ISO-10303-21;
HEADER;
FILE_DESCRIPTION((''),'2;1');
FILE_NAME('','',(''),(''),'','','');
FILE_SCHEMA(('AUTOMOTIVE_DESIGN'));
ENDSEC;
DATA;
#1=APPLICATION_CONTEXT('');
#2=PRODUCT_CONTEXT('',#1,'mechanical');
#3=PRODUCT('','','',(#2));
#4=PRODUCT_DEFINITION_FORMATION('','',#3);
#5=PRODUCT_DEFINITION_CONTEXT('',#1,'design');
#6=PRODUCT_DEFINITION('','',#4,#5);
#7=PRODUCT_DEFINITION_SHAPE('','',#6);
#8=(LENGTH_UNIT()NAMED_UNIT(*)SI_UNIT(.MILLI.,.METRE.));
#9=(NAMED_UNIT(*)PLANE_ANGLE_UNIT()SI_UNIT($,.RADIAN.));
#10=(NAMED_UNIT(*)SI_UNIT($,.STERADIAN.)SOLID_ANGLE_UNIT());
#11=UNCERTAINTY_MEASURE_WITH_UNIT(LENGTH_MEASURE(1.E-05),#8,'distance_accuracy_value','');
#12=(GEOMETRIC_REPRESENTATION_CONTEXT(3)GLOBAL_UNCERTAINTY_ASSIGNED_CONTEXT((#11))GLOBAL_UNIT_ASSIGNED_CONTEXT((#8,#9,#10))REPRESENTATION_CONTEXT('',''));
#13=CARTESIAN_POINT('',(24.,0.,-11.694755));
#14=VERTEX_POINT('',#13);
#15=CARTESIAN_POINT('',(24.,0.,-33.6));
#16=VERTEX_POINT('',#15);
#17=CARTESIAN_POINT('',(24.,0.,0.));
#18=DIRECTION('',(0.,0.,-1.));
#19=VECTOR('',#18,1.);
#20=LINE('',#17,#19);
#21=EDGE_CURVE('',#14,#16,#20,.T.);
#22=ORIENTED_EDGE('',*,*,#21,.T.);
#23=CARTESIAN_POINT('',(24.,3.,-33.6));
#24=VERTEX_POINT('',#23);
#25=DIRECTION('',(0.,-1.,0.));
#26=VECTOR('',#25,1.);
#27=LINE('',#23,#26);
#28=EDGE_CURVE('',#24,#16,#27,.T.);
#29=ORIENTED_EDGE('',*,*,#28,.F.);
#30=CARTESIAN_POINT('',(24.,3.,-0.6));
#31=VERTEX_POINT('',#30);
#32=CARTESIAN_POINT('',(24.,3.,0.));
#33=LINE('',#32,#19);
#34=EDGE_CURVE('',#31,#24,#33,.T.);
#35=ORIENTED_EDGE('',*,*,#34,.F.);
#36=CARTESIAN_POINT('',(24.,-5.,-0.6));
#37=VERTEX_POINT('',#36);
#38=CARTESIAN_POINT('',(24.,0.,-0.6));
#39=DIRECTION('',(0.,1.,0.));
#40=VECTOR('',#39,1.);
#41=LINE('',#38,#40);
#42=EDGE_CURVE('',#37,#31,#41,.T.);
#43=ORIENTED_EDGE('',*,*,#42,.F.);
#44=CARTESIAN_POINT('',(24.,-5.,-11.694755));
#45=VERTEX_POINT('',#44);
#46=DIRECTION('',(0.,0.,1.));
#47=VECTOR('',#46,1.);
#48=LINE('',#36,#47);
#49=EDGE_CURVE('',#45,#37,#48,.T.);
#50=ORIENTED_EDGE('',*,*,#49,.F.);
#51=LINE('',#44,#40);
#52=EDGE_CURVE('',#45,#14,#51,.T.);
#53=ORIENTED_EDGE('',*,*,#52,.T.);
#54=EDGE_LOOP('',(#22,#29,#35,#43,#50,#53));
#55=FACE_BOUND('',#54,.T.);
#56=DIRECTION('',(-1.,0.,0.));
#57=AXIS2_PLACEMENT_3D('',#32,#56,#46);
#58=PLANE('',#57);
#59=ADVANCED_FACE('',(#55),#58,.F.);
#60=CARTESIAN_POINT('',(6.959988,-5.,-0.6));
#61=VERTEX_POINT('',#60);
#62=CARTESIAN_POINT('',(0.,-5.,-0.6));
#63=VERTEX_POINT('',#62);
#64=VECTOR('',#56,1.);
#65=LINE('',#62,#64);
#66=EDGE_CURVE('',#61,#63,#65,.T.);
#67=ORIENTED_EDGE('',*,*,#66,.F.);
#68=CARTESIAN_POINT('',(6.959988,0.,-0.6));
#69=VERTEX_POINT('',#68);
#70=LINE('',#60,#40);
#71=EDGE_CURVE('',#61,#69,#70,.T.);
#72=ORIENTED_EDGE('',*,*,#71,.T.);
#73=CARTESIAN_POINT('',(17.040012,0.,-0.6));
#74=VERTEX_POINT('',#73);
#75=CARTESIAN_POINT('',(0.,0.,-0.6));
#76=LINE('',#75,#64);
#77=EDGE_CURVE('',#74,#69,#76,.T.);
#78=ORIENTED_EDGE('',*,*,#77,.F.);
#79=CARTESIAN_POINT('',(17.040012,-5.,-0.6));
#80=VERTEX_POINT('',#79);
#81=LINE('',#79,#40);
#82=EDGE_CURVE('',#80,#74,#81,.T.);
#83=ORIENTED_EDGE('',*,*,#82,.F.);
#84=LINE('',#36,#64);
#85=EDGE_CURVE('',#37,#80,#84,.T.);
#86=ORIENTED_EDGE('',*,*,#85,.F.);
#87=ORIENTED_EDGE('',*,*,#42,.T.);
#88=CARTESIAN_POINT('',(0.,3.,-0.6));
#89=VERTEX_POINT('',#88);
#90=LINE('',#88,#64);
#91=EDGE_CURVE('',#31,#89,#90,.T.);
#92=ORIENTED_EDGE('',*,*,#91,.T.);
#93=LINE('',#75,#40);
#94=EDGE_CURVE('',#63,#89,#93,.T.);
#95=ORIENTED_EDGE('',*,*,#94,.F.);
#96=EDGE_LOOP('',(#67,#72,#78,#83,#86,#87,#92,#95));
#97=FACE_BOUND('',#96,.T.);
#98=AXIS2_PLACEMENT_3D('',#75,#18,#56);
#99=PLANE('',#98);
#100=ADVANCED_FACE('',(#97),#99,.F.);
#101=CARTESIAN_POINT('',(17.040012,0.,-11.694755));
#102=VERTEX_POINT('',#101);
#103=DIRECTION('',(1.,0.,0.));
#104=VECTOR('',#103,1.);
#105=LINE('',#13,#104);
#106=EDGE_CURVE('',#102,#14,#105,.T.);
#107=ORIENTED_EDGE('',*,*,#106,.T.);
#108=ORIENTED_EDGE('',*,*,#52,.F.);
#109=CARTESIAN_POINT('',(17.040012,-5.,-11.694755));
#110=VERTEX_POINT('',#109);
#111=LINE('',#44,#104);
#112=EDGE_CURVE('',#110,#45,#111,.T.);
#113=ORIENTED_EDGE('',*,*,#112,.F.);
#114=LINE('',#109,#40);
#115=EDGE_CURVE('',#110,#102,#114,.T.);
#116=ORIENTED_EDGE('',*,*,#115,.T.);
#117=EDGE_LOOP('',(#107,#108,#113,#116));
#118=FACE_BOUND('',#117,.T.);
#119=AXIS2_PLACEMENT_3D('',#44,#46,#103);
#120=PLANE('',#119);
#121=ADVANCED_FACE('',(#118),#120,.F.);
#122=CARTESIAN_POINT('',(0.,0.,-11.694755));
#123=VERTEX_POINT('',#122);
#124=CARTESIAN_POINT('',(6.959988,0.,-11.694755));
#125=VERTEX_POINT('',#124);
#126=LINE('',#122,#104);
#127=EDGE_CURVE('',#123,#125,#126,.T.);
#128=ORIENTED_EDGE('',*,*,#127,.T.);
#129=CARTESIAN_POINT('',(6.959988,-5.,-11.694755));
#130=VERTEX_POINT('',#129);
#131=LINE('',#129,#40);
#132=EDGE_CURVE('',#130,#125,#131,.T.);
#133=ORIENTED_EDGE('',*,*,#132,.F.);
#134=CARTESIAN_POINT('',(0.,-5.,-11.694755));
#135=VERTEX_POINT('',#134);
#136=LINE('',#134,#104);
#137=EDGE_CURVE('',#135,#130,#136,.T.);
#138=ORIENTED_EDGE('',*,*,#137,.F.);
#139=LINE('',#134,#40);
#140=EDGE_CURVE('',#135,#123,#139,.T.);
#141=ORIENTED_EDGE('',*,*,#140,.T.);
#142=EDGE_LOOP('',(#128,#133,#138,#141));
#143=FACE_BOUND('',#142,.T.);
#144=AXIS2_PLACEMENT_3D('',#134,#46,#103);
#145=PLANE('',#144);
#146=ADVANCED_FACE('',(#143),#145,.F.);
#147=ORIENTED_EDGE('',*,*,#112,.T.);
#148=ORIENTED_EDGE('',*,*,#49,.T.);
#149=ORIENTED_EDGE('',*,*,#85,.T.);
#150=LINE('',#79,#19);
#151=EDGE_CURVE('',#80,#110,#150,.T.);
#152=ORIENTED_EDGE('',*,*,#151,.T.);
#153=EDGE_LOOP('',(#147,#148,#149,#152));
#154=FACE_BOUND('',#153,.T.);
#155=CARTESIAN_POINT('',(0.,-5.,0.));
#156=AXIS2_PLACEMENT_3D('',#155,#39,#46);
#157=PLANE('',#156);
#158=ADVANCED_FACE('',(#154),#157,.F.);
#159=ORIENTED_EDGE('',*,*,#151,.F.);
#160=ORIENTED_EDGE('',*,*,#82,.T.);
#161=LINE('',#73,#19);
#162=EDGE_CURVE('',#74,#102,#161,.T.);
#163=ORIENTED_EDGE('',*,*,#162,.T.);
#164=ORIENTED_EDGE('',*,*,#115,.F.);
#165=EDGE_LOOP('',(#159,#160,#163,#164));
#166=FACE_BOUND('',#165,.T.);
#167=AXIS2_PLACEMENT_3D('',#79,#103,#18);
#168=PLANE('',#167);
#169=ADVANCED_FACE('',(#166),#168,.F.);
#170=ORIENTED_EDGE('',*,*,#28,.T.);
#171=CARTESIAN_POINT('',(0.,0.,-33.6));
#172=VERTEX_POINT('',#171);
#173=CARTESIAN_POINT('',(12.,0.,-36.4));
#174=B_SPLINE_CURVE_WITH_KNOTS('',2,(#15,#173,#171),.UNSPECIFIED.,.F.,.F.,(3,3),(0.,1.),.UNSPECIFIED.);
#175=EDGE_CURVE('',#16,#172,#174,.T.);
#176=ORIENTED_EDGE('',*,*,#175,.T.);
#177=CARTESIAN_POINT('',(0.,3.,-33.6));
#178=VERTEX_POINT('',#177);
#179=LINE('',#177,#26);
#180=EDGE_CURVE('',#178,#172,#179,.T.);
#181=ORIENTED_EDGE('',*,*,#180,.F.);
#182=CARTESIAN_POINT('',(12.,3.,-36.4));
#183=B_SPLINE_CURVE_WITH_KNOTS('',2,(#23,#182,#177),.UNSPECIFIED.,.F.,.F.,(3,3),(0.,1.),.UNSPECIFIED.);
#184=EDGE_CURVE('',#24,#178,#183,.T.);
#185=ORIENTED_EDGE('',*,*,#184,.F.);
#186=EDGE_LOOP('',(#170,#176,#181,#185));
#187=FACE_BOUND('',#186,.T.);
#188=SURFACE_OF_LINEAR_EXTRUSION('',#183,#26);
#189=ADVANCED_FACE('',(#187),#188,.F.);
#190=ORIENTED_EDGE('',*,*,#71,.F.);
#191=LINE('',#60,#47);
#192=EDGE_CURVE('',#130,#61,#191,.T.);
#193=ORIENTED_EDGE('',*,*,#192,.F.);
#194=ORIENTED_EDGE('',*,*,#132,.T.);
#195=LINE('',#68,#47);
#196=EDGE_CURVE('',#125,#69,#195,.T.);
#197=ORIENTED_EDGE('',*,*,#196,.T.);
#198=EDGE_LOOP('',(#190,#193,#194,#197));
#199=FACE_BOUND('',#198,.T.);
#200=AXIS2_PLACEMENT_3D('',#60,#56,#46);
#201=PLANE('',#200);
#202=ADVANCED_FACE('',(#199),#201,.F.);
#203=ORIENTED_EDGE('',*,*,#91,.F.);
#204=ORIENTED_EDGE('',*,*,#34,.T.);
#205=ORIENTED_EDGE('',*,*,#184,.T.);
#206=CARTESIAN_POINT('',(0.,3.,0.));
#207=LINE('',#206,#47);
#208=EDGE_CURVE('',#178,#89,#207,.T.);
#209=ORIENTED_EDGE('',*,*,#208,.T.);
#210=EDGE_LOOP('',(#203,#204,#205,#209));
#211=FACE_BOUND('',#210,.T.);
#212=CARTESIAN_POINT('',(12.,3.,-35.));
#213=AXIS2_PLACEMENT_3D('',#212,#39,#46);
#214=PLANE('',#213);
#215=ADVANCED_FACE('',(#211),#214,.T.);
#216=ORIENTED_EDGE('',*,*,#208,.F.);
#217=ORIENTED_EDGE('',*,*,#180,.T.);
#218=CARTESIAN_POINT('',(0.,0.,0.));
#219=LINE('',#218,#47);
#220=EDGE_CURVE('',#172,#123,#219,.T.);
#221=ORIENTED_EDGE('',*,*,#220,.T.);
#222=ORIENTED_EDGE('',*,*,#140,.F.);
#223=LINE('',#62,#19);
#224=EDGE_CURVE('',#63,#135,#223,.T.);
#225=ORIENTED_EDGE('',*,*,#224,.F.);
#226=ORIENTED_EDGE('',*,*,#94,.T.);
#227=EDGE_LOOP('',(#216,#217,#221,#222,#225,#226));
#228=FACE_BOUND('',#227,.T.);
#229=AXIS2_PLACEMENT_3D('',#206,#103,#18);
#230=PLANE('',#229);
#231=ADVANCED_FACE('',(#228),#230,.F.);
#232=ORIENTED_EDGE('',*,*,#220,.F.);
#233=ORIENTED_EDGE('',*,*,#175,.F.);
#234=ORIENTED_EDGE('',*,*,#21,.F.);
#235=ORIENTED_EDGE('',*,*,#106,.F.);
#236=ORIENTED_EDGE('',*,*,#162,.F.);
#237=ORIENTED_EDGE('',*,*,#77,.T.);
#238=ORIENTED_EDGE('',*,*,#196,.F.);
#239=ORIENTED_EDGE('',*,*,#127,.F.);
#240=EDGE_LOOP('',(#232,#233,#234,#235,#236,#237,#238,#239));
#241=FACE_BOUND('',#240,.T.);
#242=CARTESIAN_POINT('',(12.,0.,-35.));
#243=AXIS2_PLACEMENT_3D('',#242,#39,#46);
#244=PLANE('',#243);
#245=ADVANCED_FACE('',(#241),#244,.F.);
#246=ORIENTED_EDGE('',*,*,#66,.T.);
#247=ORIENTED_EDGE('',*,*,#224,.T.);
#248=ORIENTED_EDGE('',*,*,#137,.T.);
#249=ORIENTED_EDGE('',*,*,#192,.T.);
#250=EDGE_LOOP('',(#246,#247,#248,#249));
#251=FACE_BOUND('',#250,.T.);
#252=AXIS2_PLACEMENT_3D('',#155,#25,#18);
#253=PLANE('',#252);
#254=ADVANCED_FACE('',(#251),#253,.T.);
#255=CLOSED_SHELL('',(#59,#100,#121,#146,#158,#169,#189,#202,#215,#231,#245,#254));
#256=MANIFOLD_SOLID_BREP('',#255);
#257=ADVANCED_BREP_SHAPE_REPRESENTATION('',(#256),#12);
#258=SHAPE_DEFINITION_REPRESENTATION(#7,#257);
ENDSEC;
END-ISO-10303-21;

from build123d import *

# Parameters (mm, degrees)
BOSS_EXTRUDE1_DEPTH = 3
SKETCH4_W           = 24
SKETCH4_H           = 0.6
CUT_EXTRUDE3_DEPTH  = 4.0000001
SKETCH5_W           = 6.959988298
SKETCH5_H           = 11.094755151
BOSS_EXTRUDE2_DEPTH = 5


with BuildPart() as part:
    # Sketch1 → Boss-Extrude1 (new body)
    with BuildSketch(Plane(origin=(0, 0, 0), x_dir=(1, 0, 0), z_dir=(0, 1, 0))):
        with BuildLine():
            Line((0, 0), (24, 0))
            Line((24, 0), (24, 33.6))
            add(Edge.make_bspline(
                [(0, 33.6), (12, 36.4), (24, 33.6)],
                knots=[0, 0, 0, 1, 1, 1], degree=2))
            Line((0, 33.6), (0, 0))
        make_face()
    extrude(amount=BOSS_EXTRUDE1_DEPTH)

    # Sketch4 → Cut-Extrude3 (cut, through all)
    with BuildSketch(Plane(origin=(0, 3, 0), x_dir=(1, 0, 0), z_dir=(0, 1, 0))):
        with Locations((12, 0.3)):
            Rectangle(SKETCH4_W, SKETCH4_H)
    extrude(amount=-CUT_EXTRUDE3_DEPTH, mode=Mode.SUBTRACT)

    # Sketch5 → Boss-Extrude2 (add)
    with BuildSketch(Plane.XZ):
        with Locations((3.479994149, -6.147377576)):
            Rectangle(SKETCH5_W, SKETCH5_H)
        with Locations((20.520005851, -6.147377576)):
            Rectangle(SKETCH5_W, SKETCH5_H)
    extrude(amount=BOSS_EXTRUDE2_DEPTH)


solid = part.part
